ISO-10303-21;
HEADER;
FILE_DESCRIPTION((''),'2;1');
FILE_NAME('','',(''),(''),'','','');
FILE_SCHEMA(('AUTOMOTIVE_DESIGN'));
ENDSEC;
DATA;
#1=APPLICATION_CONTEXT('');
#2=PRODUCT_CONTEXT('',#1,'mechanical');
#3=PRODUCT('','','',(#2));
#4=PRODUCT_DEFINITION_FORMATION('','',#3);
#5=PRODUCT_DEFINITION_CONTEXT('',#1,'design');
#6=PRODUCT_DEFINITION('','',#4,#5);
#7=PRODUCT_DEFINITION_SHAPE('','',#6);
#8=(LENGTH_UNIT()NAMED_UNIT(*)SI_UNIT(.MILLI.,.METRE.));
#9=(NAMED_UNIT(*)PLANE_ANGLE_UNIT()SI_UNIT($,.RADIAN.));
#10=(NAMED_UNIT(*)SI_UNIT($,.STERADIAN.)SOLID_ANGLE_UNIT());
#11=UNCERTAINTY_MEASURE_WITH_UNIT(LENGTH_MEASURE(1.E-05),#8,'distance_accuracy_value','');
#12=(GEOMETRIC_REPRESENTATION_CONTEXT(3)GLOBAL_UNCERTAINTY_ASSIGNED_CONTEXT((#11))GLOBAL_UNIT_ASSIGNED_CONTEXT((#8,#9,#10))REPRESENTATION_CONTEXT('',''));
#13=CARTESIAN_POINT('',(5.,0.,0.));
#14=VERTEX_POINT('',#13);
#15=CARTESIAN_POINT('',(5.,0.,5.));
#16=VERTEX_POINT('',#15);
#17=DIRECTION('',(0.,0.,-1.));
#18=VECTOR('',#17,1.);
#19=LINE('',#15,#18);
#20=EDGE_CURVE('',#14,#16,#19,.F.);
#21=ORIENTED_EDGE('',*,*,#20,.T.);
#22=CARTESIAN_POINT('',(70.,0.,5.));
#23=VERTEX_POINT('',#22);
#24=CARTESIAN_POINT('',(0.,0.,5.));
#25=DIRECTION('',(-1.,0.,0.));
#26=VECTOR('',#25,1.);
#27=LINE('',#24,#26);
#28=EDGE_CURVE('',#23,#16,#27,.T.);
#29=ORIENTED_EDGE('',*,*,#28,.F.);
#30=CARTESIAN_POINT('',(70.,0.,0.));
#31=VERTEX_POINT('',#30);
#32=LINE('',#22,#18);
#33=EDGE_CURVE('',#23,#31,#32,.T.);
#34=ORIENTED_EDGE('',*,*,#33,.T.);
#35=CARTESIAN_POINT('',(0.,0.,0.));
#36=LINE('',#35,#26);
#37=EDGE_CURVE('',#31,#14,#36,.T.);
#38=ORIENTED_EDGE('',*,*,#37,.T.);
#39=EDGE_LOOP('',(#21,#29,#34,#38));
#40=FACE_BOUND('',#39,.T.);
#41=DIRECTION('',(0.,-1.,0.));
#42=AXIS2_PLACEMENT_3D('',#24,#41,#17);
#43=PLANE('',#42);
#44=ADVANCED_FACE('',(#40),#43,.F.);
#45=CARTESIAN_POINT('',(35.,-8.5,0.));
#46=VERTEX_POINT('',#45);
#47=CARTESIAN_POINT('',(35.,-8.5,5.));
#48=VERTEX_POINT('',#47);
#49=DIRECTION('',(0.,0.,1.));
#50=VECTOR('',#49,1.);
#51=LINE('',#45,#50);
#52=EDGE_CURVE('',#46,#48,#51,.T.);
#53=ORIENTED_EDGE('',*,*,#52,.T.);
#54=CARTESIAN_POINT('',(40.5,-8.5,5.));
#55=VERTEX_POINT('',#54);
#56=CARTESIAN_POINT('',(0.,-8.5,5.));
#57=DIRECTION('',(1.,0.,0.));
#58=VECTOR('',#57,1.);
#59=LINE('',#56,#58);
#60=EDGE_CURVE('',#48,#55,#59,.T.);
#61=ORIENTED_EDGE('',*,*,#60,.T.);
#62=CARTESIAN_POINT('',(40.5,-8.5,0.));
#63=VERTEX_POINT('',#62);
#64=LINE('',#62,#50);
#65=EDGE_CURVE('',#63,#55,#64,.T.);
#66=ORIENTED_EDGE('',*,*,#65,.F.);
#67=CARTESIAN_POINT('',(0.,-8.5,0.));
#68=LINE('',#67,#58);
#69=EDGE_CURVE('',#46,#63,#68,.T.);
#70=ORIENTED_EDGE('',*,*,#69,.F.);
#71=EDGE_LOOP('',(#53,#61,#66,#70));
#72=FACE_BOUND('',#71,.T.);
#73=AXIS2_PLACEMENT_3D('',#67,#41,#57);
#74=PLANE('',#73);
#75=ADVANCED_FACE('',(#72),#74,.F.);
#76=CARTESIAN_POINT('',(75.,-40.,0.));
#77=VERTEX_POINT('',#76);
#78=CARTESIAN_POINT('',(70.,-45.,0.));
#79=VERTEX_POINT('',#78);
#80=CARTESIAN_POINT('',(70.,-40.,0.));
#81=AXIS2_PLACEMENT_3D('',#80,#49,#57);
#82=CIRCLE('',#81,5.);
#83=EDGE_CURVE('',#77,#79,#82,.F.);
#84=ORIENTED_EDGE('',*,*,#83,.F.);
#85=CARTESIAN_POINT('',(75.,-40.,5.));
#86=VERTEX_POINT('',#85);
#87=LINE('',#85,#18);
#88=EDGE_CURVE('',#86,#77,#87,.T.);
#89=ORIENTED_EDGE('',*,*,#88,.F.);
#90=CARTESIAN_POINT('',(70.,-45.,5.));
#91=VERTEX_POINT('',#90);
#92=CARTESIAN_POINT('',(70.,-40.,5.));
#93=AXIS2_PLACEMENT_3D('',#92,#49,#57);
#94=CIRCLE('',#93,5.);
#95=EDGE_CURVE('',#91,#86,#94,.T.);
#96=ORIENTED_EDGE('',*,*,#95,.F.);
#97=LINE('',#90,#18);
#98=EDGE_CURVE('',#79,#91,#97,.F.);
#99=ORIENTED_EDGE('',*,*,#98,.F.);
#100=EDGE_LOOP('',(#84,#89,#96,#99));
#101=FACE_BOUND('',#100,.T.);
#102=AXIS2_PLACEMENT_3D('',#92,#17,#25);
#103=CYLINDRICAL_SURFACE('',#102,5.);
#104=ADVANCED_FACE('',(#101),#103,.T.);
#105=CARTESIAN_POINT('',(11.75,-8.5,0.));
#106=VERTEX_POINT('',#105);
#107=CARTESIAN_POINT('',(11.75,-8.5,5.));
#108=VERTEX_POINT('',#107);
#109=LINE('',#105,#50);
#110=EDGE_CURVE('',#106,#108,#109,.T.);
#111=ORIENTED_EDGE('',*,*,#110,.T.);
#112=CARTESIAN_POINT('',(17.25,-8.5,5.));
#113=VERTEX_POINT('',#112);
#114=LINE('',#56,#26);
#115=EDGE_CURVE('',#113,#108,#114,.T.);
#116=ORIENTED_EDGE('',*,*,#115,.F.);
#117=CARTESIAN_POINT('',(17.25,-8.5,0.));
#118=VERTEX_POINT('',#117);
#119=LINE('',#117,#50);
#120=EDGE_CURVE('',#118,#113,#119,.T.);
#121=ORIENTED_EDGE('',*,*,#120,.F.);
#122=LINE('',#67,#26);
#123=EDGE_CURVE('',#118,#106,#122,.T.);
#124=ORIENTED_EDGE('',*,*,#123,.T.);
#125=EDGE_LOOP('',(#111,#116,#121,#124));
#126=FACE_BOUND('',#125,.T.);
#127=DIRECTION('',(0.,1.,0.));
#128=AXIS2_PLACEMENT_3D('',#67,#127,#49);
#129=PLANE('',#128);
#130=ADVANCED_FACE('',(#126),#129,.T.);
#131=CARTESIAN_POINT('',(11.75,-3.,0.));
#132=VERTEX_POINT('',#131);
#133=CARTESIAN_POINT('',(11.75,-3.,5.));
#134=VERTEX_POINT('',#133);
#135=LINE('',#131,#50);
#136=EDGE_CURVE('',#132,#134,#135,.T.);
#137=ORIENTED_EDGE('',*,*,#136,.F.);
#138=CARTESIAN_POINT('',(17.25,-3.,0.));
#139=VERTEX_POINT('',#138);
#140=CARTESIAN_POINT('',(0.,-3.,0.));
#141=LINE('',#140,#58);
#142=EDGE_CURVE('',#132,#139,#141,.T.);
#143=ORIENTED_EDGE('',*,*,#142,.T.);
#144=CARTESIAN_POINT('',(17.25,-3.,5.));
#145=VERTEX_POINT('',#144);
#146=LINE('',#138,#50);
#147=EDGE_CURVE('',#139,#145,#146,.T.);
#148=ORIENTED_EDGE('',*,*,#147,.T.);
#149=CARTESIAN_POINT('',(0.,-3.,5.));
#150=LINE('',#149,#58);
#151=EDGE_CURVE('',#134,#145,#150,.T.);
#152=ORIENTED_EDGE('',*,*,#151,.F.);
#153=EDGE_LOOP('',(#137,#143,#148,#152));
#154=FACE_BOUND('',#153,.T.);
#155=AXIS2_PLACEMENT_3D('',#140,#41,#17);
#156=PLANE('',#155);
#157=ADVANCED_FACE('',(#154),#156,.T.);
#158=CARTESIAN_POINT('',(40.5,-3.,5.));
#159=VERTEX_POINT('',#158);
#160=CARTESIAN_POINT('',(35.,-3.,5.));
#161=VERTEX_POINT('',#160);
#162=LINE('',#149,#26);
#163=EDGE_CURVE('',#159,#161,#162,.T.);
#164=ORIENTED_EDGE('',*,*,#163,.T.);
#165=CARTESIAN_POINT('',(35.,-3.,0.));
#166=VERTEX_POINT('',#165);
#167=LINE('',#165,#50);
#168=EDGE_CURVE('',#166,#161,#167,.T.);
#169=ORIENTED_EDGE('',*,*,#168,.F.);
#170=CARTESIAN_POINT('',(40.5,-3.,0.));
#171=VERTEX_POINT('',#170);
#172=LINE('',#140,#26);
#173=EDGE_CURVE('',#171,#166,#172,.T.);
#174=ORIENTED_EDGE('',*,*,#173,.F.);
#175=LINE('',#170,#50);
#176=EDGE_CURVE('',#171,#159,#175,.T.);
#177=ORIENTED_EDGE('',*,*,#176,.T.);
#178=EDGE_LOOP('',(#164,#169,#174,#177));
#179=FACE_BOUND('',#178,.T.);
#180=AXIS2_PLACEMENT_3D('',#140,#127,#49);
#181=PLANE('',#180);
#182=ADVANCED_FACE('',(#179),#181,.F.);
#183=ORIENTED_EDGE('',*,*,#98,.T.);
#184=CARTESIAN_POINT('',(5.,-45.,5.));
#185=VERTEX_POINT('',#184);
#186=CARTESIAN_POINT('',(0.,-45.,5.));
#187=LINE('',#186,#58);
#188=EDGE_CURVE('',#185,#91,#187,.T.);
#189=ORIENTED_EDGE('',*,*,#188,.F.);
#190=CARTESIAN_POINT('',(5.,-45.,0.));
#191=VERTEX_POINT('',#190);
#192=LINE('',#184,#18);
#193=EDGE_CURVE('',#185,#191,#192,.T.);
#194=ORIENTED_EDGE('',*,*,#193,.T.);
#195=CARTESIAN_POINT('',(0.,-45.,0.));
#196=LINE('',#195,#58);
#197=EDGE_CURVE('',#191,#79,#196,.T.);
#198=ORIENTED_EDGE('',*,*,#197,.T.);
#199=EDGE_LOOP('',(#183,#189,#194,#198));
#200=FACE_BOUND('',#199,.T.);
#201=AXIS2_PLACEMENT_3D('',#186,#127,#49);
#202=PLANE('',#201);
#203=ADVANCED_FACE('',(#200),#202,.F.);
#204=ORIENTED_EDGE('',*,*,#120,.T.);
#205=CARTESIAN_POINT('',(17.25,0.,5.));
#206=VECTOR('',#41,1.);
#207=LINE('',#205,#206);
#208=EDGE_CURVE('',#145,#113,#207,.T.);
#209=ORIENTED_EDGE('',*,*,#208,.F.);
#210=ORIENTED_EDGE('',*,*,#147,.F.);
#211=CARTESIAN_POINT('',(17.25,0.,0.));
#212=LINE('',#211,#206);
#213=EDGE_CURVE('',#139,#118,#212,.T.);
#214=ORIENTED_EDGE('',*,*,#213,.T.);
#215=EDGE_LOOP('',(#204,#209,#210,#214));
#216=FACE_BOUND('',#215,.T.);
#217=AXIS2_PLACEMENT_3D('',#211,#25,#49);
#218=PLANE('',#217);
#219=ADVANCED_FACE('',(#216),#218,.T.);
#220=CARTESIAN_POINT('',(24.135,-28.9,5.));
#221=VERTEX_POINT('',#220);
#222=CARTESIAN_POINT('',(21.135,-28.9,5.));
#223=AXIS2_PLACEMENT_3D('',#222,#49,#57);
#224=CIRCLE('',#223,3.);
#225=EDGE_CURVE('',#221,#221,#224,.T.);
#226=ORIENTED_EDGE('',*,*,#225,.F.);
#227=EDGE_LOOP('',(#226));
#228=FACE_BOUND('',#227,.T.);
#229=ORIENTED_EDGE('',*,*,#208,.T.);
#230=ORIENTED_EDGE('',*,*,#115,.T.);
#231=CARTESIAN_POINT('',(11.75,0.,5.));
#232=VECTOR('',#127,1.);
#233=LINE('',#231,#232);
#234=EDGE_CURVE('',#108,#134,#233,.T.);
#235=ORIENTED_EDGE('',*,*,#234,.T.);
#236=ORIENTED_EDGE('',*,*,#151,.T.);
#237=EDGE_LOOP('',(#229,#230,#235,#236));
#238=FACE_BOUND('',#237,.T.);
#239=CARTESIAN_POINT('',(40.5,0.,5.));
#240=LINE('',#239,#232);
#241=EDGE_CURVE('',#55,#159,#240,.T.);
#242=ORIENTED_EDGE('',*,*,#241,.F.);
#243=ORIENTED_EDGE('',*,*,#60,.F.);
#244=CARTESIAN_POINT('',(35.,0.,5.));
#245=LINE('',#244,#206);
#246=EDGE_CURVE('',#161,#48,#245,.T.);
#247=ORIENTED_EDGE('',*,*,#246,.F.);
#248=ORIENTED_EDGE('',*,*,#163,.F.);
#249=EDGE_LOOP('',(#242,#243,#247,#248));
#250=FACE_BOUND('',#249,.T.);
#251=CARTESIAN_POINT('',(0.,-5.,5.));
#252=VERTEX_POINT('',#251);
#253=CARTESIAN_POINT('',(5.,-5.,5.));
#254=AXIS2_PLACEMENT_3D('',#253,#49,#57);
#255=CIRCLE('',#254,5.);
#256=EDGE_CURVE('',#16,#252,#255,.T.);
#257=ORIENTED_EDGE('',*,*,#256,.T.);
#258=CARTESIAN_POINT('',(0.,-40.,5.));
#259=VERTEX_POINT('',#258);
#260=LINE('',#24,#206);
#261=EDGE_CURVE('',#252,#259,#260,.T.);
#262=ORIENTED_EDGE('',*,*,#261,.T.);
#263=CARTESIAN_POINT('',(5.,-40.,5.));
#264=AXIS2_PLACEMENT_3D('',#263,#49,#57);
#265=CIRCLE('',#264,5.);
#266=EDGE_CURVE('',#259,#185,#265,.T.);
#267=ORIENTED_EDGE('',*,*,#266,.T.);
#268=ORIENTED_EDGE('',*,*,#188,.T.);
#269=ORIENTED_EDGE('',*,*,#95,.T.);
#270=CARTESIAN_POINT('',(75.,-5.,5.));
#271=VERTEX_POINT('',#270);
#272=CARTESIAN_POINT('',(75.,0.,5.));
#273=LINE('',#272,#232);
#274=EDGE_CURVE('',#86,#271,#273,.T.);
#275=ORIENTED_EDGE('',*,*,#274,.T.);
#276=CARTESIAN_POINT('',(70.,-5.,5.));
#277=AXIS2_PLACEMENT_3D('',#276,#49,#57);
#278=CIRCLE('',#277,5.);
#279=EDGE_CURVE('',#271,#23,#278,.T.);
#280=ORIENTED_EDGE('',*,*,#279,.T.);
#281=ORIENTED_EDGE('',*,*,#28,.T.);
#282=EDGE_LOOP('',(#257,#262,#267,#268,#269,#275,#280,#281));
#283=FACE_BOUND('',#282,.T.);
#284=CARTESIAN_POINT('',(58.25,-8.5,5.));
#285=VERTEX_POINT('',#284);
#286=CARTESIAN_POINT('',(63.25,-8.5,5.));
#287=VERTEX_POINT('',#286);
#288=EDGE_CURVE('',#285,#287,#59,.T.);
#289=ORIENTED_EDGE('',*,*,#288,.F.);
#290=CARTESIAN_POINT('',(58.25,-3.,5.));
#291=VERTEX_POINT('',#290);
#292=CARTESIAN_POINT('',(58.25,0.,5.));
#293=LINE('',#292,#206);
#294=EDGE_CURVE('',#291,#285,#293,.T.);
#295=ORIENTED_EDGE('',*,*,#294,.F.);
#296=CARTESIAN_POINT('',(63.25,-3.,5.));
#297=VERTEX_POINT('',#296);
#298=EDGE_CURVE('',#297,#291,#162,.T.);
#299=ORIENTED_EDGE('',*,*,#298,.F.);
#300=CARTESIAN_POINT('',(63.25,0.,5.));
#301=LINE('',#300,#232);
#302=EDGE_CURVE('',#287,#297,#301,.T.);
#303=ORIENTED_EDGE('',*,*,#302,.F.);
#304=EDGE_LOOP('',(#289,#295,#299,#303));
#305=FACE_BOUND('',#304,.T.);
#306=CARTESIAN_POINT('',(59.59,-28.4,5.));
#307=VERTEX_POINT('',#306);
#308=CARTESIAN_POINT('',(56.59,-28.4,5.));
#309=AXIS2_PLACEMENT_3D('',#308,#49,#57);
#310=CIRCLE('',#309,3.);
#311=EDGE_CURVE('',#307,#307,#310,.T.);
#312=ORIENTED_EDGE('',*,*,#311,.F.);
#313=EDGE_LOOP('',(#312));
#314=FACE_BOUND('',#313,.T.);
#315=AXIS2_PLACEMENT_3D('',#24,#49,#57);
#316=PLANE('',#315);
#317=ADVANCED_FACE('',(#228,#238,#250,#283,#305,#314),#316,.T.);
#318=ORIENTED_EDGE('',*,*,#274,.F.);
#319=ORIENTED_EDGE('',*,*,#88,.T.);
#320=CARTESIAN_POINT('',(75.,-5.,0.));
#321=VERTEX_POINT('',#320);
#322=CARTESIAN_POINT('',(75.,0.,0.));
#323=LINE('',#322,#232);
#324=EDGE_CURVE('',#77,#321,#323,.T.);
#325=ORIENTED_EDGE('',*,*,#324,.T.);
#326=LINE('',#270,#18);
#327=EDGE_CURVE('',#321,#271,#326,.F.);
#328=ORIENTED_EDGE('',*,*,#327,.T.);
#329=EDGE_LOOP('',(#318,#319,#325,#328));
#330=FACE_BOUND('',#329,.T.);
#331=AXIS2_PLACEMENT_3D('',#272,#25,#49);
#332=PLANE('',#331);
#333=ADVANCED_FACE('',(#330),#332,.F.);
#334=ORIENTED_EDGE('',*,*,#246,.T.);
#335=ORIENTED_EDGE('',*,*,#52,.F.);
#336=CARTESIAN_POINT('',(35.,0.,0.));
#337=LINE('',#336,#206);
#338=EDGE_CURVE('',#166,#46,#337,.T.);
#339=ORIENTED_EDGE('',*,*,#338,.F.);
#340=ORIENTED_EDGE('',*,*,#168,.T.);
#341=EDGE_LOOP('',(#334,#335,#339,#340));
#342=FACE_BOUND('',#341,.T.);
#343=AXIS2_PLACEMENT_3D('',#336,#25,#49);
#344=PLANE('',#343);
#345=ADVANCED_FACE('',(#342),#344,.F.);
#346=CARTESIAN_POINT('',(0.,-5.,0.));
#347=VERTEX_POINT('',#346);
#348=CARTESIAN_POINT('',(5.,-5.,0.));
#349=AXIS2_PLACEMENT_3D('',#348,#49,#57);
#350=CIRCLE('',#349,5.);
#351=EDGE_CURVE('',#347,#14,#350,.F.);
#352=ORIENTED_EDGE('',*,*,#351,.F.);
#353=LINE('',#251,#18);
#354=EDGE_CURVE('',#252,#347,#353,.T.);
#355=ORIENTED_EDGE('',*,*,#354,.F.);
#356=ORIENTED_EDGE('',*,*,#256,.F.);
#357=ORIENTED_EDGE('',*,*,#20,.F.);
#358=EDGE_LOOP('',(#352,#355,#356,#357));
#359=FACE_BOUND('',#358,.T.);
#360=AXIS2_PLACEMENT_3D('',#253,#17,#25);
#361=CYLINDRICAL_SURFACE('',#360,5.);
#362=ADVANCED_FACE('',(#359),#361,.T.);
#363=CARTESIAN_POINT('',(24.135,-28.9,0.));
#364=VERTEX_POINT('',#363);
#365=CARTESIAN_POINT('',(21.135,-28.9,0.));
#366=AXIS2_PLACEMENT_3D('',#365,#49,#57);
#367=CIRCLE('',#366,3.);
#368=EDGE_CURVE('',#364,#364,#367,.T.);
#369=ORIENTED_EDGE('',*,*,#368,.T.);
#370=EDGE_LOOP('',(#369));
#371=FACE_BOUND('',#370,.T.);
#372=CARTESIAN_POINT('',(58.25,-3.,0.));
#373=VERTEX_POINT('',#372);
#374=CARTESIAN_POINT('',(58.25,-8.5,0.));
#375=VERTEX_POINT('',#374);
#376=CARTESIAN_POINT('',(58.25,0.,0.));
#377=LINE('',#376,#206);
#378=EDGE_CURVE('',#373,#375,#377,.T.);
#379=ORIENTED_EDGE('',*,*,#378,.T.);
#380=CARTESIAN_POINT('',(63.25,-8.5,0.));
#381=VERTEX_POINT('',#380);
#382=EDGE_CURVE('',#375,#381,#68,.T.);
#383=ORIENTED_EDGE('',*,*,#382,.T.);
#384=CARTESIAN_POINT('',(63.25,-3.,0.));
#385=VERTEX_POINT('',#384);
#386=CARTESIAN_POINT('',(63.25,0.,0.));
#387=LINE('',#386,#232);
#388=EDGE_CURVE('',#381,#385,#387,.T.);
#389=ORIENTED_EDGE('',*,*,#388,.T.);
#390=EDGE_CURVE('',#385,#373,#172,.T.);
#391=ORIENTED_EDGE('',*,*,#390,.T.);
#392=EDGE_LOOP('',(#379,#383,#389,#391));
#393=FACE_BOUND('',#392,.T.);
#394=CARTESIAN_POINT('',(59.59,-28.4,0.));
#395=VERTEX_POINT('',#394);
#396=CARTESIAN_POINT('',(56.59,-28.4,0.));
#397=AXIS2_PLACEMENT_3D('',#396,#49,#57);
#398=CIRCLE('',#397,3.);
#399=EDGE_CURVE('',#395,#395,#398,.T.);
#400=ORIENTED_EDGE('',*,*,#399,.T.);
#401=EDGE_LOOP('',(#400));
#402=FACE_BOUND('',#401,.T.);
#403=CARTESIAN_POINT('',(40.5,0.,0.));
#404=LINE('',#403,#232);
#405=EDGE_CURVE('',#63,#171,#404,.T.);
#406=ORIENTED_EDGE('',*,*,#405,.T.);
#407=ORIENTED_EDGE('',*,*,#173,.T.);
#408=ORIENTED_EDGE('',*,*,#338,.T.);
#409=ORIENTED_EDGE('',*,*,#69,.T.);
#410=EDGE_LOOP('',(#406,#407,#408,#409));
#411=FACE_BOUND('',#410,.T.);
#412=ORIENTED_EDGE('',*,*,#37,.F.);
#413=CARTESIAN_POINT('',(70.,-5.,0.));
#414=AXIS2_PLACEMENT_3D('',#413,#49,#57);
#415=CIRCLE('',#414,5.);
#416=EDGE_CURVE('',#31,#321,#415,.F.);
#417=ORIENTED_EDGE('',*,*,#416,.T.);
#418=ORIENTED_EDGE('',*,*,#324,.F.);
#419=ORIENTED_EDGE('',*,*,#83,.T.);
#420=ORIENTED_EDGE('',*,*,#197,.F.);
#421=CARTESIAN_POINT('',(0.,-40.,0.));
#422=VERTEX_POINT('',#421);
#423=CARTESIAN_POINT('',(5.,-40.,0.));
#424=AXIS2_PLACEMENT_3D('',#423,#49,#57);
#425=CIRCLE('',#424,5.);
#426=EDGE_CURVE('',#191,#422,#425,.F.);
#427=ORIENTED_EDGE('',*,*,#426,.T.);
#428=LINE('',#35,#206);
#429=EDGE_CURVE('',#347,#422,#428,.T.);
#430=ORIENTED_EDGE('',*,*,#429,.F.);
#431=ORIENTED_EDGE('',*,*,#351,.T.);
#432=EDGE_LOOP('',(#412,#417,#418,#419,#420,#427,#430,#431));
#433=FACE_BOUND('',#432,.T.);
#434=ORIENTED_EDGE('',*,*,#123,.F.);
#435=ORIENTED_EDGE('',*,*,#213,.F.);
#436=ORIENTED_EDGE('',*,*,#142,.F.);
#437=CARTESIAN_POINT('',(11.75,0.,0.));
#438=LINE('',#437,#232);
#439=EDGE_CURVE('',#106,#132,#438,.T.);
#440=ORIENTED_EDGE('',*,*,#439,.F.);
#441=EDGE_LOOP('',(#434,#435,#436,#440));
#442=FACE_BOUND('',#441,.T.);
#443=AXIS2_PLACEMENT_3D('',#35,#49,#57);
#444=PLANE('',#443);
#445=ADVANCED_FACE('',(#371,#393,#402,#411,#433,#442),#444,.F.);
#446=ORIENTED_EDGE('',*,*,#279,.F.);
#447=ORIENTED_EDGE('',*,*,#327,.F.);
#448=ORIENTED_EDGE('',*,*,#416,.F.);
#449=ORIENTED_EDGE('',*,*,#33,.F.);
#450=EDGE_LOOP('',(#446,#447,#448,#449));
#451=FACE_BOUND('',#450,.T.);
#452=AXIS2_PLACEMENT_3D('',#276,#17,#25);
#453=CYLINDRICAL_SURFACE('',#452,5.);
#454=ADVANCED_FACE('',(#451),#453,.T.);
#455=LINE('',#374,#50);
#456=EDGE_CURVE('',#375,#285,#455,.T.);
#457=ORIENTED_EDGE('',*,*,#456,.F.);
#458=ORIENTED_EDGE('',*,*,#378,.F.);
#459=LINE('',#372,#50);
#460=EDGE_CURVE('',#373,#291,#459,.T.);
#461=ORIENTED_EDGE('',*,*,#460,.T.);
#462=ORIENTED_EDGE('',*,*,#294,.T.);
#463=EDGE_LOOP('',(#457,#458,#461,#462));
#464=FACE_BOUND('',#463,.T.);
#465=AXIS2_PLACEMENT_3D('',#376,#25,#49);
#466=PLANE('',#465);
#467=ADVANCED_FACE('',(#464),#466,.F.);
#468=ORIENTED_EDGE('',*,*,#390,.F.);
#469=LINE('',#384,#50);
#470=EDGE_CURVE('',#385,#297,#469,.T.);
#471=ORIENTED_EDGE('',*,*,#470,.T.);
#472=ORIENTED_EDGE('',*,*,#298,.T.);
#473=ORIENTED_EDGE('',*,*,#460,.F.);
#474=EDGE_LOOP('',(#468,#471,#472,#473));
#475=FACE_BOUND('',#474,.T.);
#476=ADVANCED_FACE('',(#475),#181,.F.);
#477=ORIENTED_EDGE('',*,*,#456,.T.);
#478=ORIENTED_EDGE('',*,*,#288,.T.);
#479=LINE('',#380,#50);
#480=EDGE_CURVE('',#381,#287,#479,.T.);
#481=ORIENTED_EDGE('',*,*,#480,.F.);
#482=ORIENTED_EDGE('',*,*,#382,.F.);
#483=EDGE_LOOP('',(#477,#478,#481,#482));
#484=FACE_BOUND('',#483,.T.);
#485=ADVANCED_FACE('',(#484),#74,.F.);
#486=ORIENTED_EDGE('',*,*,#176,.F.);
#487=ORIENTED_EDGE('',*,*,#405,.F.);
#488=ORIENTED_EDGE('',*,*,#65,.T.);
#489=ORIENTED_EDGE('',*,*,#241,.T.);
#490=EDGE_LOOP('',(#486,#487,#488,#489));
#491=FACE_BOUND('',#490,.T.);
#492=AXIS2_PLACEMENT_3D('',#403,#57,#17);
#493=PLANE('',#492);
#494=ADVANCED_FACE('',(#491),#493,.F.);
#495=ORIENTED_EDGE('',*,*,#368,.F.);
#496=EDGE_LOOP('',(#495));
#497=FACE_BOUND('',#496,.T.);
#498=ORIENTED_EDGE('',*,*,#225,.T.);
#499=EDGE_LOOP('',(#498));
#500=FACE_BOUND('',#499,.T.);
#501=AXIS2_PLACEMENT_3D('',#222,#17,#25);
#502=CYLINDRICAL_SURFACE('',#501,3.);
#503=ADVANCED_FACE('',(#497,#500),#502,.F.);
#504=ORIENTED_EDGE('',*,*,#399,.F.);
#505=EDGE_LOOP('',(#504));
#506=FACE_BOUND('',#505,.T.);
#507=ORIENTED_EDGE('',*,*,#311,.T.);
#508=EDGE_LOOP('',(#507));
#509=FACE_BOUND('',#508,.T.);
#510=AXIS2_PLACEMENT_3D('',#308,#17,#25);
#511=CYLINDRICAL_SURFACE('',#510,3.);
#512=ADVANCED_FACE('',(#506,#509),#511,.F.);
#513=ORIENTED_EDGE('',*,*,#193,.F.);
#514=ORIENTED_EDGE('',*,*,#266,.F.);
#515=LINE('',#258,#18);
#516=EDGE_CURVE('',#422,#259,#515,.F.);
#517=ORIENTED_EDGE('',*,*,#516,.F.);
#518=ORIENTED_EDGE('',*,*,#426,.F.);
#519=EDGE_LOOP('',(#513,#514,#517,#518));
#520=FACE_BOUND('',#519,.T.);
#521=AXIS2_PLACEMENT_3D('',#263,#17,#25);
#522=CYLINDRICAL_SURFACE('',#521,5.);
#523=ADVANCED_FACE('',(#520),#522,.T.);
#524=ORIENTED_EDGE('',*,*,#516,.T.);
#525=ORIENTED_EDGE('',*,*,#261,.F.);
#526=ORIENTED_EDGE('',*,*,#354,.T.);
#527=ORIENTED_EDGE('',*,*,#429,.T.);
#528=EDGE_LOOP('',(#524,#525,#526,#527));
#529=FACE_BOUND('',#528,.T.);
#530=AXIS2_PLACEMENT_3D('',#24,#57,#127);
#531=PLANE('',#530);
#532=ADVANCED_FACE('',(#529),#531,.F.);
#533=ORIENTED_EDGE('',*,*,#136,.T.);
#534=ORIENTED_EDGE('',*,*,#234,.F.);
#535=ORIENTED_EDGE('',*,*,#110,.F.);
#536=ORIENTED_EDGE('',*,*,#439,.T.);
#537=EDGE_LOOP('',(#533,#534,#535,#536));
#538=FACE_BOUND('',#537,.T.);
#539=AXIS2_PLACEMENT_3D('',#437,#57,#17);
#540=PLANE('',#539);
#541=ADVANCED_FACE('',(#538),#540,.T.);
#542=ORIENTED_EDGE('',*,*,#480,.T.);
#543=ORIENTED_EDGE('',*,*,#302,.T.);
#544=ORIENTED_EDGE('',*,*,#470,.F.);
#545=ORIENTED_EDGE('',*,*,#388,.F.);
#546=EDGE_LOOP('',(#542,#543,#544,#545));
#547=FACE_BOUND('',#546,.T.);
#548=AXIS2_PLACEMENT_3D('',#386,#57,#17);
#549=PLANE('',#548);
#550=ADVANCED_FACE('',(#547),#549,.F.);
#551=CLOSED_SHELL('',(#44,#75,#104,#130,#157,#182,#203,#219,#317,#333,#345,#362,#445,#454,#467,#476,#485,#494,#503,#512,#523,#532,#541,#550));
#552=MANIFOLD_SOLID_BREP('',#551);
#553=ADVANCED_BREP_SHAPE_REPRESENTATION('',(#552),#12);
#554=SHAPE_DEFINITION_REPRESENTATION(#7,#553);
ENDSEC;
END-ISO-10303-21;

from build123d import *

# Parameters (mm, degrees)
SKETCH_1_W          = 75
SKETCH_1_H          = 45
SKETCH_1_R          = 3
EXTRUDE_1_DEPTH     = 5
SKETCH_2_W          = 5
SKETCH_2_H          = 5.5
SKETCH_2_W_2        = 5.5
CUT_EXTRUDE_1_DEPTH = 5
FILLET_1_R          = 5


with BuildPart() as part:
    # 草图1 → 凸台-拉伸1 (new body)
    with BuildSketch(Plane.XY):
        with Locations((37.5, -22.5)):
            Rectangle(SKETCH_1_W, SKETCH_1_H)
        with Locations((21.13500001, -28.900000005)):
            Circle(SKETCH_1_R, mode=Mode.SUBTRACT)
        with Locations((56.59, -28.4)):
            Circle(SKETCH_1_R, mode=Mode.SUBTRACT)
    extrude(amount=EXTRUDE_1_DEPTH)

    # 草图2 → 切除-拉伸1 (cut)
    with BuildSketch(Plane.XY.offset(5)):
        Polygon((40.5, -8.5), (40.5, -3), (37.5, -3), (35, -3), (35, -8.5), align=None)
        with Locations((60.75, -5.75)):
            Rectangle(SKETCH_2_W, SKETCH_2_H)
        with Locations((14.5, -5.75)):
            Rectangle(SKETCH_2_W_2, SKETCH_2_H)
    extrude(amount=-CUT_EXTRUDE_1_DEPTH, mode=Mode.SUBTRACT)

    # 圆角1
    fillet_1_edges = [part.edges().sort_by_distance(p)[0] for p in [
        (0, 0, 2.5),
        (75, 0, 2.5),
        (75, -45, 2.5),
        (0, -45, 2.5),
    ]]
    fillet(fillet_1_edges, radius=FILLET_1_R)


solid = part.part
